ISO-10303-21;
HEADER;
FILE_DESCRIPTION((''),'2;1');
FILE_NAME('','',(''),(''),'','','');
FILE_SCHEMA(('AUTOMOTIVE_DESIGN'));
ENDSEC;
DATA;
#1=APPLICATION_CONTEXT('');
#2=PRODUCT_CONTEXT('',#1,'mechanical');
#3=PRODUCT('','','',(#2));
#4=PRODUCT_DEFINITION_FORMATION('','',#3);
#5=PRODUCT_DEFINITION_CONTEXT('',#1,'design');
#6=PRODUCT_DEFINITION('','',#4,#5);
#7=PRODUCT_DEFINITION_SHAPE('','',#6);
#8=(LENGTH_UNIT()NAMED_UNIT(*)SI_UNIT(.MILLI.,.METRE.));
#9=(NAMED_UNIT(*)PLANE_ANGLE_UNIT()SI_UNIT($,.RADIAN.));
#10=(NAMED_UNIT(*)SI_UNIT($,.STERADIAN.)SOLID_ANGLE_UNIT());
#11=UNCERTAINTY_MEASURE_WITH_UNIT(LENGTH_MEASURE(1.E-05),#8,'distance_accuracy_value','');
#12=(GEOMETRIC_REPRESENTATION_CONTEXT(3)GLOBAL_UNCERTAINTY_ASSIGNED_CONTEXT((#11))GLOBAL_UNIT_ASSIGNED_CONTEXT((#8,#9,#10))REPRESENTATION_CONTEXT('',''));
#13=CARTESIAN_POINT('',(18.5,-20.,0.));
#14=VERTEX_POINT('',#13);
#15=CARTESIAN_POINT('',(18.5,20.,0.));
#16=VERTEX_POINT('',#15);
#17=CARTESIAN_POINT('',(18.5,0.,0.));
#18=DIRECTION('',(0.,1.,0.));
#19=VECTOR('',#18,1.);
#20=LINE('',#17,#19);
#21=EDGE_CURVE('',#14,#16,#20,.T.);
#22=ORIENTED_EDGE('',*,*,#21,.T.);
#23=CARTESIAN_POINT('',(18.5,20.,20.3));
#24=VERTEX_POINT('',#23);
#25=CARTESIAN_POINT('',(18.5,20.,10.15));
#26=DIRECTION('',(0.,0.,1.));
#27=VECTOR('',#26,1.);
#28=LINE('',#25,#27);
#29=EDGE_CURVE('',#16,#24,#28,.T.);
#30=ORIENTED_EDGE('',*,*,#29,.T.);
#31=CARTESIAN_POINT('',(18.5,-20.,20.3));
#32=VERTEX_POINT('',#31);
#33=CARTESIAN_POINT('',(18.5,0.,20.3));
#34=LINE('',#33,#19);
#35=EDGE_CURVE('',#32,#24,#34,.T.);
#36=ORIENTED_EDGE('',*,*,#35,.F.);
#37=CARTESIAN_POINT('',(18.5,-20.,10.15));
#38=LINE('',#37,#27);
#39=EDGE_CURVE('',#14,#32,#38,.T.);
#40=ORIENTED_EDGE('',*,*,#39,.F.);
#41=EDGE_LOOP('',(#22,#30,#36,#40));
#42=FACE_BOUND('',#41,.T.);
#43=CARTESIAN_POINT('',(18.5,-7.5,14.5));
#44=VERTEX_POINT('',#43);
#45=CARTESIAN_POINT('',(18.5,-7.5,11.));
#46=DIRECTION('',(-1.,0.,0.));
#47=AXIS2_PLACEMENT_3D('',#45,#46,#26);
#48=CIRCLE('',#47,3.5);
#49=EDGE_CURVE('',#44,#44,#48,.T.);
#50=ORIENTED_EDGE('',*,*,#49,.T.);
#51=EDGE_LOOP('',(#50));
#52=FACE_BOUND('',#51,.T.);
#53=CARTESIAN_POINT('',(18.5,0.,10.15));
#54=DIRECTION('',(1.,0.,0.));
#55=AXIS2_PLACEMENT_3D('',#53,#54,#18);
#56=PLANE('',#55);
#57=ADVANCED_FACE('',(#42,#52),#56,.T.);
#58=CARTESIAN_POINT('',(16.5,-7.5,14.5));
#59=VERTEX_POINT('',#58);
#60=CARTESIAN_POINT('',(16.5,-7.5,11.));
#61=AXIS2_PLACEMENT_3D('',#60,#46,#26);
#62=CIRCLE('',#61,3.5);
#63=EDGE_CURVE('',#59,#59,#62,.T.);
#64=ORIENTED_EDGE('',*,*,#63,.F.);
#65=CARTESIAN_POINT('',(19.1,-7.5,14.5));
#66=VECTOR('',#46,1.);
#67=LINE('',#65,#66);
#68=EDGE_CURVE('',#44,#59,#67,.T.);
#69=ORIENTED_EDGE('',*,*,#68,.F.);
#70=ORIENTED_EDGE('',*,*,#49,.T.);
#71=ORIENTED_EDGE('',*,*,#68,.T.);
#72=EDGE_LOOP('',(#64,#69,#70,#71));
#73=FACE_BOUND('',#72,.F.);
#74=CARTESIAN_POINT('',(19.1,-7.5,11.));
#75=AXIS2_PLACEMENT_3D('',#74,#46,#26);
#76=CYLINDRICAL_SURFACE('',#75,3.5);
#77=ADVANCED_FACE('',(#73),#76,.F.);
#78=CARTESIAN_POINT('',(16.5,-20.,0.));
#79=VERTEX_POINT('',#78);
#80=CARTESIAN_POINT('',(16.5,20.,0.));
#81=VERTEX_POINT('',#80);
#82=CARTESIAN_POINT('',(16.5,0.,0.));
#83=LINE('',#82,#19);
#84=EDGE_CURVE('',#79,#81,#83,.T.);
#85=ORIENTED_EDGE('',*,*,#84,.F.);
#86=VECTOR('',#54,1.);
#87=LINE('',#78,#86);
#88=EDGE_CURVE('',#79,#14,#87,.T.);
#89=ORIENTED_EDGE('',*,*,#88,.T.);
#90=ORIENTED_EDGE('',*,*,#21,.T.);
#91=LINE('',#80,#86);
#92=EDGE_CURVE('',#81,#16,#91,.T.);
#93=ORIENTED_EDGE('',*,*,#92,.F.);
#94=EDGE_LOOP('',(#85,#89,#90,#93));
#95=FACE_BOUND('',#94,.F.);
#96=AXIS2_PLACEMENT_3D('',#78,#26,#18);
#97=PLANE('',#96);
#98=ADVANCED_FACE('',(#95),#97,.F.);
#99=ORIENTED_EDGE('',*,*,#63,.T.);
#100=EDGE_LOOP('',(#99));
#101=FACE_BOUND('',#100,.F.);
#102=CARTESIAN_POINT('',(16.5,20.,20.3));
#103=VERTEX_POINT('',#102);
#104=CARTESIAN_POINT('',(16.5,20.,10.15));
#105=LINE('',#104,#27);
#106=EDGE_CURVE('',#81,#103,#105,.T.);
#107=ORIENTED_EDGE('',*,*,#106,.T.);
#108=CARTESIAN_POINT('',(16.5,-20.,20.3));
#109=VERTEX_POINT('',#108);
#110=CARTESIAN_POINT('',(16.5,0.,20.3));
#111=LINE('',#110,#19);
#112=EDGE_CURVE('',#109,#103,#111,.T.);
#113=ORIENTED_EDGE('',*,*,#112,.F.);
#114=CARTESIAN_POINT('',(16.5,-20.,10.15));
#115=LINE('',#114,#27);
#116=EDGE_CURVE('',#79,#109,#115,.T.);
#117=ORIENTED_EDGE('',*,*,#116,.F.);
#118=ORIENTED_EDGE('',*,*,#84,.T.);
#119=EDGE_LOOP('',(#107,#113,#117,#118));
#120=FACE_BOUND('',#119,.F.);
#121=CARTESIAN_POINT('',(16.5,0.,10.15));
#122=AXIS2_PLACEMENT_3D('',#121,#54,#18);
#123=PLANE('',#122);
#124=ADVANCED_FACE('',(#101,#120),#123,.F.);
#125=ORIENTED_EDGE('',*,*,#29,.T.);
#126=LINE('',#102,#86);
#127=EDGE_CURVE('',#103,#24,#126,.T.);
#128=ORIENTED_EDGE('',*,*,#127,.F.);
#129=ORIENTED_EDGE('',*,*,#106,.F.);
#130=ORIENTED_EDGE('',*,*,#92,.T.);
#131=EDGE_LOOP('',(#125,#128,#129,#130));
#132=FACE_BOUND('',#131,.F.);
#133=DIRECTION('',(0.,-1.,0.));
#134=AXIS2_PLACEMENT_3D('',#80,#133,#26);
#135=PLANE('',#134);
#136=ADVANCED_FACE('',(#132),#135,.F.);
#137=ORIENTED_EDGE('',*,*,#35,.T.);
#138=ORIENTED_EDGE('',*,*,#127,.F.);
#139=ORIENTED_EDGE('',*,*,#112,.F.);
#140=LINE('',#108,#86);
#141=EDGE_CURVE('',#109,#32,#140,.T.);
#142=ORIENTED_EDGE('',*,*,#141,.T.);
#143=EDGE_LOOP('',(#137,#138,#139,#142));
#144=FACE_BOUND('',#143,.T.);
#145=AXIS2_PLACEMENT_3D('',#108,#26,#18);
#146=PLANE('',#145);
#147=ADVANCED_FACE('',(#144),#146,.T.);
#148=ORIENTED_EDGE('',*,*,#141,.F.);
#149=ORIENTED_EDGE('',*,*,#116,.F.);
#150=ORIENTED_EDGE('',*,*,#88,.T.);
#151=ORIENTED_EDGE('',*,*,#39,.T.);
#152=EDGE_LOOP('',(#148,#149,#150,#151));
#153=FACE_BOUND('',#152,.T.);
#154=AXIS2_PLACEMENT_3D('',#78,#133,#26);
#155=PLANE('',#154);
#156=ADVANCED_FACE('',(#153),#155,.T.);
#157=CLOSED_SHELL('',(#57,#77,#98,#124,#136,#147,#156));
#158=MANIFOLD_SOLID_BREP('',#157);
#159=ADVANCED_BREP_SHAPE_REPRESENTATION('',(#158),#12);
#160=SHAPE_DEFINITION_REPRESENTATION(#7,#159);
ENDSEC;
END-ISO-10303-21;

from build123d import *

# Parameters (mm, degrees)
SKETCH007_W             = 18.5
SKETCH007_H             = 4
SKETCH007_W_2           = 5.2
SKETCH007_H_2           = 3.5
BODY006_PLACEMENT_ANGLE = 180
SKETCH005_W             = 40
SKETCH005_H             = 20.3
PAD006_DEPTH            = 2


with BuildPart() as audio_socket_mockup:
    # Sketch007 → Revolution001 (revolve)
    with BuildSketch(Plane.XZ):
        with Locations((9.25, 2)):
            Rectangle(SKETCH007_W, SKETCH007_H)
        with Locations((-2.6, 1.75)):
            Rectangle(SKETCH007_W_2, SKETCH007_H_2)
    revolve(axis=Axis((0, 0, 0), (1, 0, 0)))


with BuildPart() as audio_socket_mockup_1:
    # Body006 placement: moved
    add(audio_socket_mockup.part.moved(Location((18, -7.5, 11))).rotate(Axis((18, -7.5, 11), (0, 0, 1)), BODY006_PLACEMENT_ANGLE))


with BuildPart() as audio_cut:
    # Sketch005 → Pad006 (new body)
    with BuildSketch(Plane.YZ):
        with Locations((0, 10.15)):
            Rectangle(SKETCH005_W, SKETCH005_H)
    extrude(amount=PAD006_DEPTH)


with BuildPart() as audio_cut_1:
    # Body004 placement: moved
    add(audio_cut.part.moved(Location((18, 0, 0))))

    # Cut001: cut audio socket mockup
    add(audio_socket_mockup_1.part, mode=Mode.SUBTRACT)


with BuildPart() as audio_cut_2:
    # Cut001 placement: moved
    add(audio_cut_1.part.moved(Location((-1.5, 0, 0))))


solid = audio_cut_2.part
